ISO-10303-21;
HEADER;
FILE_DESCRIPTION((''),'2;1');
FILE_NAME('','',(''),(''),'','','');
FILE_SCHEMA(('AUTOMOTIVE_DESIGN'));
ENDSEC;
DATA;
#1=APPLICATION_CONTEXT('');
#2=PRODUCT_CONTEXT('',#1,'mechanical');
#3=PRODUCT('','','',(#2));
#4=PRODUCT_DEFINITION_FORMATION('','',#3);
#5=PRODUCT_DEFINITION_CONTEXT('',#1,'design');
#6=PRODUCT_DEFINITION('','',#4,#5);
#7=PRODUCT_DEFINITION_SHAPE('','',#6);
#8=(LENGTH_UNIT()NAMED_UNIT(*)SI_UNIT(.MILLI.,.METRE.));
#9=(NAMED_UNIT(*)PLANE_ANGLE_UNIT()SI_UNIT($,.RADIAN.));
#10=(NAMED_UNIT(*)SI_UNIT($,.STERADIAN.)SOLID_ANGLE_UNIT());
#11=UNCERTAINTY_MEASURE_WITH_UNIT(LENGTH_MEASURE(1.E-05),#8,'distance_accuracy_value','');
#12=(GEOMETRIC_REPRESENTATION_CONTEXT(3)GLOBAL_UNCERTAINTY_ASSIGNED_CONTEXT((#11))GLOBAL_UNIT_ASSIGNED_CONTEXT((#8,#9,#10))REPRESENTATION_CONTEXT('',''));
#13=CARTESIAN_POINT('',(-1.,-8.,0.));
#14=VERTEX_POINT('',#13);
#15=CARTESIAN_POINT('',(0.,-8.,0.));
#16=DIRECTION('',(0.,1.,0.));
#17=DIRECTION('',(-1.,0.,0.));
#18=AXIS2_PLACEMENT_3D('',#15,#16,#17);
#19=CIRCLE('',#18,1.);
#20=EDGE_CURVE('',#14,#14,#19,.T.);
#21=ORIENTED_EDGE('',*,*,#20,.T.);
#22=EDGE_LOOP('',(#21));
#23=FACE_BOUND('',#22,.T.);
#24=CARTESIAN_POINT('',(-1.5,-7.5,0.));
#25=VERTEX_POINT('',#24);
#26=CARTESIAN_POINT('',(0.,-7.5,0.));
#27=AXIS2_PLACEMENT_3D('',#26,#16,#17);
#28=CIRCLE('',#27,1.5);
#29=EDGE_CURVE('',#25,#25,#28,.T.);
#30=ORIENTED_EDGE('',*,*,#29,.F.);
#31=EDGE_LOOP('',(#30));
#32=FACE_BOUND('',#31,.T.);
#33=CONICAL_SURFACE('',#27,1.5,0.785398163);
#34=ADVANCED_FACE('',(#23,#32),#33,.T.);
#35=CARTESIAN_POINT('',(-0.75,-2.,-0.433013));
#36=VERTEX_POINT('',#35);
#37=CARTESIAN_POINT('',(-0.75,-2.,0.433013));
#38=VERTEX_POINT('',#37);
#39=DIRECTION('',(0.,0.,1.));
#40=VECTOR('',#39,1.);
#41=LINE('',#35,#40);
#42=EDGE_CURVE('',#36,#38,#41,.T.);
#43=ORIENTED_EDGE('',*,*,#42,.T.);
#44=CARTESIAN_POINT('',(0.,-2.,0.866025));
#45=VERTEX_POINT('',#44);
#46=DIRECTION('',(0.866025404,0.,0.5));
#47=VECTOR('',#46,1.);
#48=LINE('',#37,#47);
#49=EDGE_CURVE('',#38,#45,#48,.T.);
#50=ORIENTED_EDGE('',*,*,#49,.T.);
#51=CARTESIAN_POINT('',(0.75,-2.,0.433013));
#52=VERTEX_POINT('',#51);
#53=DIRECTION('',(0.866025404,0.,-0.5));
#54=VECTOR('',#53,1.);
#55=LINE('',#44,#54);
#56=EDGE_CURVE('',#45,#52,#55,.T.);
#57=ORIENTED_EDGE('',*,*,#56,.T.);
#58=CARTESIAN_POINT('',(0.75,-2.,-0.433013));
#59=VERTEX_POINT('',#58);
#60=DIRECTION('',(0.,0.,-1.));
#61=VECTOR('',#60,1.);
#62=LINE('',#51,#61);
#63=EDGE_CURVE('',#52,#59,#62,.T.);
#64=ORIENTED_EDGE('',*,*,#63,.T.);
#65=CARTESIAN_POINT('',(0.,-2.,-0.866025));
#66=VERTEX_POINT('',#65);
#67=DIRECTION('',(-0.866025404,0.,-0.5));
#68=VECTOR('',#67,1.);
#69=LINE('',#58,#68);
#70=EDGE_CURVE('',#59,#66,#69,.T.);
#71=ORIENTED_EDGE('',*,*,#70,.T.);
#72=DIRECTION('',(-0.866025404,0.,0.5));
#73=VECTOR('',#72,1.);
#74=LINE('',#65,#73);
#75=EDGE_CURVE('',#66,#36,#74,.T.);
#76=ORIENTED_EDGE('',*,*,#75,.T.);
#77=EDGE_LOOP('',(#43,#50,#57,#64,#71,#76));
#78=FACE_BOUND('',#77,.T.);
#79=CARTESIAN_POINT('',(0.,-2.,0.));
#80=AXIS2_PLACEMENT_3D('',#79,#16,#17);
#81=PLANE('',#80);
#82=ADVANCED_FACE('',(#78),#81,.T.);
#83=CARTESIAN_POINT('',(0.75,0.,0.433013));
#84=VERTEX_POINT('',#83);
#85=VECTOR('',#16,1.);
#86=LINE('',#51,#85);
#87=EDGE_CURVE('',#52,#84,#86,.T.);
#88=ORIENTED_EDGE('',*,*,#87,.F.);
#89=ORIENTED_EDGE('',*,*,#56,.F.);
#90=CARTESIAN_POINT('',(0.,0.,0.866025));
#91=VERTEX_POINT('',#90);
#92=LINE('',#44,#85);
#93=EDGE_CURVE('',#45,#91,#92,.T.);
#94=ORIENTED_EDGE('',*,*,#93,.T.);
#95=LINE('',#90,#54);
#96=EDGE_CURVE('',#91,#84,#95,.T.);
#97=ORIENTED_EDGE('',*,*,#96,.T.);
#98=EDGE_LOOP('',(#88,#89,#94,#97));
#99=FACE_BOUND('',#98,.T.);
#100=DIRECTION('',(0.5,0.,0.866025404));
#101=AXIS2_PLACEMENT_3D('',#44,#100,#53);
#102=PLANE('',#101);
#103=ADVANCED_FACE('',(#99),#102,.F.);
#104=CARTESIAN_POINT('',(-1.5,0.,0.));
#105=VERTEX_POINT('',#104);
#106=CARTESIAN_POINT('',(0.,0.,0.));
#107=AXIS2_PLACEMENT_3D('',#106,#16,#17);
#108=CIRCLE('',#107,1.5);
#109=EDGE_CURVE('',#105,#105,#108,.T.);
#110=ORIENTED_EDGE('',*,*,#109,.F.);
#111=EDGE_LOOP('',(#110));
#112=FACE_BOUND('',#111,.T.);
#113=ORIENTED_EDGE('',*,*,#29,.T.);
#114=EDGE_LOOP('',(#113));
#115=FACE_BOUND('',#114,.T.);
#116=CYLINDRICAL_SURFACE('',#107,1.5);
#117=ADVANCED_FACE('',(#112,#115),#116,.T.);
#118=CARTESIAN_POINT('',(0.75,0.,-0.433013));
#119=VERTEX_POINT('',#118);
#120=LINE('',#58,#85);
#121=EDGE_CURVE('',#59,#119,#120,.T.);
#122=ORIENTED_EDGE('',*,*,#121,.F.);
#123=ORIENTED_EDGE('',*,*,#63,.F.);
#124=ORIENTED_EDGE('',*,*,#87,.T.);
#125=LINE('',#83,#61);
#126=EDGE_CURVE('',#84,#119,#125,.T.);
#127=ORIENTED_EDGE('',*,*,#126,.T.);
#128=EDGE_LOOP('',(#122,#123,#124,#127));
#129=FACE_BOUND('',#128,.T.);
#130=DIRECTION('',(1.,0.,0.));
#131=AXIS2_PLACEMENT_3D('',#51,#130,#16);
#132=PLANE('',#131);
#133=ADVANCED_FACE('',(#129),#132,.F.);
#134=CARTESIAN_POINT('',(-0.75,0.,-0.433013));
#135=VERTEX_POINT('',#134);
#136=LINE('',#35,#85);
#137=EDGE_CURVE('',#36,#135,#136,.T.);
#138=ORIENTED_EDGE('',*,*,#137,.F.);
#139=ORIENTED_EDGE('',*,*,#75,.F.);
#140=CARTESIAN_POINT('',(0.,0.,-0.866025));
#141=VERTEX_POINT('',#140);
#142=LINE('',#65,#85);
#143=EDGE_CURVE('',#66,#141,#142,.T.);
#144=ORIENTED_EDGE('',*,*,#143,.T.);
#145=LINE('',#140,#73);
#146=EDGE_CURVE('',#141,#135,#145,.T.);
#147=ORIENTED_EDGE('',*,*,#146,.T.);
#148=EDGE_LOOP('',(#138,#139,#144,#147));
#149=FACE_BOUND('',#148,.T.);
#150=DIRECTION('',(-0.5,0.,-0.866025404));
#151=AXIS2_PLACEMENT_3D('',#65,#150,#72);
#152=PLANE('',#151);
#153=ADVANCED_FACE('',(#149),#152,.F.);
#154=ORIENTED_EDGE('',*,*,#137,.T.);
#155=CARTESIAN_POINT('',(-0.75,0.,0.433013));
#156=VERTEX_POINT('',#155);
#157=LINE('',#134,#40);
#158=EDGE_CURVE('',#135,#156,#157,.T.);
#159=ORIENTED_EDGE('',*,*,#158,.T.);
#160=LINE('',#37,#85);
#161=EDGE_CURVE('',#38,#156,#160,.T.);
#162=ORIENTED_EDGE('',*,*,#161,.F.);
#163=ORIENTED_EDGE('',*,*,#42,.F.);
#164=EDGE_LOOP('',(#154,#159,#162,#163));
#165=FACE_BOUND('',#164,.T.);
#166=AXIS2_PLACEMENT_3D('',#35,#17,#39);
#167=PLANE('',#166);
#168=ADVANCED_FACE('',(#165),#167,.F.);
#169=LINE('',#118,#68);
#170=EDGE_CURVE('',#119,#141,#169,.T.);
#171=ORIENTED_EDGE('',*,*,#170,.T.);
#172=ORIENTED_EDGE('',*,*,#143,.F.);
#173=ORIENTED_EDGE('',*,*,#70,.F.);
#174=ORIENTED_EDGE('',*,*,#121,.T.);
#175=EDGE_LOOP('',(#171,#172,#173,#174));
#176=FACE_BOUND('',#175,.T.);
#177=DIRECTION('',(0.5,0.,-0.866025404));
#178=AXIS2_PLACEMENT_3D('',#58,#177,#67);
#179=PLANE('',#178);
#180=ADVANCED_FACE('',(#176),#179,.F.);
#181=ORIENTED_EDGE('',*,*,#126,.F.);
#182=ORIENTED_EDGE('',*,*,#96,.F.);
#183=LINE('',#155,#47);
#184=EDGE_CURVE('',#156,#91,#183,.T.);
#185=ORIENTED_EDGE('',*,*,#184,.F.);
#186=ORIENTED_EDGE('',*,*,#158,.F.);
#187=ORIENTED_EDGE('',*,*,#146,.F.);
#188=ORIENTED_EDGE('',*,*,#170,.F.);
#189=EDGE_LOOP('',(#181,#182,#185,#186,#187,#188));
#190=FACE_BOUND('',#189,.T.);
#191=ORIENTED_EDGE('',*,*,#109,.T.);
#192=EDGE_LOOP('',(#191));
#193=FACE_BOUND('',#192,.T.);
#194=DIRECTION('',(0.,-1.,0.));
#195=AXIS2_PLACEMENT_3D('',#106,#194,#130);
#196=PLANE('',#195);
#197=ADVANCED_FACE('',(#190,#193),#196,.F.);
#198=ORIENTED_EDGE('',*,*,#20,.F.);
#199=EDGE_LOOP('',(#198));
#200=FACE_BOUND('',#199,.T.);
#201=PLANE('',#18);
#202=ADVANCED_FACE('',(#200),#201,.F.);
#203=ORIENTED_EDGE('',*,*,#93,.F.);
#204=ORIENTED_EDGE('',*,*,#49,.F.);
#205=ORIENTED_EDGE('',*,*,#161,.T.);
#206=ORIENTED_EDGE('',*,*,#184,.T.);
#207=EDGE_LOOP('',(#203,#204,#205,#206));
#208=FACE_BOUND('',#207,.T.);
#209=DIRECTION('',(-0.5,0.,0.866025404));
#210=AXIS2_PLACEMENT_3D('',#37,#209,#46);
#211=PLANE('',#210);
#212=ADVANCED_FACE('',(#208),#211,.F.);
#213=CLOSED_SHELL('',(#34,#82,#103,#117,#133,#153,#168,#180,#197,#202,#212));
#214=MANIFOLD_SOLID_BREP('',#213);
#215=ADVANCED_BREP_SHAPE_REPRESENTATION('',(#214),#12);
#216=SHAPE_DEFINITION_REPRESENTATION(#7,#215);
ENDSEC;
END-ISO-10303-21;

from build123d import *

# Parameters (mm, degrees)
SKETCH1_W          = 1.5
SKETCH1_H          = 8
CUT_EXTRUDE1_DEPTH = 2


with BuildPart() as part:
    # Sketch1 → Revolve1 (revolve)
    with BuildSketch(Plane.XY, mode=Mode.PRIVATE) as revolve1_sk:
        with Locations((0.75, -4)):
            Rectangle(SKETCH1_W, SKETCH1_H)
    revolve(revolve1_sk.sketch.rotate(Axis((0, 0, 0), (0, -1, 0)), 180), axis=Axis((0, 0, 0), (0, -1, 0)))

    # Sketch2 → Cut-Revolve1 (revolve, cut)
    with BuildSketch(Plane.XY, mode=Mode.PRIVATE) as cut_revolve1_sk:
        Polygon((0, 0), (0.75, 0), (0.75, -1.2), (0, -1.633012702), align=None)
    revolve(cut_revolve1_sk.sketch.rotate(Axis((0, 0, 0), (0, -1, 0)), 180), axis=Axis((0, 0, 0), (0, -1, 0)), mode=Mode.SUBTRACT)

    # Sketch3 → Cut-Extrude1 (cut)
    with BuildSketch(Plane(origin=(0, 0, 0), x_dir=(1, 0, 0), z_dir=(0, 1, 0))):
        Polygon((0, 0.866025404), (-0.75, 0.433012702), (-0.75, -0.433012702), (0, -0.866025404), (0.75, -0.433012702), (0.75, 0.433012702), align=None)
    extrude(amount=-CUT_EXTRUDE1_DEPTH, mode=Mode.SUBTRACT)

    # Sketch4 → Cut-Revolve2 (revolve, cut)
    with BuildSketch(Plane.XY, mode=Mode.PRIVATE) as cut_revolve2_sk:
        Polygon((1.5, -7.5), (1.5, -8), (1, -8), align=None)
    revolve(cut_revolve2_sk.sketch.rotate(Axis((0, 0, 0), (0, -1, 0)), 180), axis=Axis((0, 0, 0), (0, -1, 0)), mode=Mode.SUBTRACT)


solid = part.part
